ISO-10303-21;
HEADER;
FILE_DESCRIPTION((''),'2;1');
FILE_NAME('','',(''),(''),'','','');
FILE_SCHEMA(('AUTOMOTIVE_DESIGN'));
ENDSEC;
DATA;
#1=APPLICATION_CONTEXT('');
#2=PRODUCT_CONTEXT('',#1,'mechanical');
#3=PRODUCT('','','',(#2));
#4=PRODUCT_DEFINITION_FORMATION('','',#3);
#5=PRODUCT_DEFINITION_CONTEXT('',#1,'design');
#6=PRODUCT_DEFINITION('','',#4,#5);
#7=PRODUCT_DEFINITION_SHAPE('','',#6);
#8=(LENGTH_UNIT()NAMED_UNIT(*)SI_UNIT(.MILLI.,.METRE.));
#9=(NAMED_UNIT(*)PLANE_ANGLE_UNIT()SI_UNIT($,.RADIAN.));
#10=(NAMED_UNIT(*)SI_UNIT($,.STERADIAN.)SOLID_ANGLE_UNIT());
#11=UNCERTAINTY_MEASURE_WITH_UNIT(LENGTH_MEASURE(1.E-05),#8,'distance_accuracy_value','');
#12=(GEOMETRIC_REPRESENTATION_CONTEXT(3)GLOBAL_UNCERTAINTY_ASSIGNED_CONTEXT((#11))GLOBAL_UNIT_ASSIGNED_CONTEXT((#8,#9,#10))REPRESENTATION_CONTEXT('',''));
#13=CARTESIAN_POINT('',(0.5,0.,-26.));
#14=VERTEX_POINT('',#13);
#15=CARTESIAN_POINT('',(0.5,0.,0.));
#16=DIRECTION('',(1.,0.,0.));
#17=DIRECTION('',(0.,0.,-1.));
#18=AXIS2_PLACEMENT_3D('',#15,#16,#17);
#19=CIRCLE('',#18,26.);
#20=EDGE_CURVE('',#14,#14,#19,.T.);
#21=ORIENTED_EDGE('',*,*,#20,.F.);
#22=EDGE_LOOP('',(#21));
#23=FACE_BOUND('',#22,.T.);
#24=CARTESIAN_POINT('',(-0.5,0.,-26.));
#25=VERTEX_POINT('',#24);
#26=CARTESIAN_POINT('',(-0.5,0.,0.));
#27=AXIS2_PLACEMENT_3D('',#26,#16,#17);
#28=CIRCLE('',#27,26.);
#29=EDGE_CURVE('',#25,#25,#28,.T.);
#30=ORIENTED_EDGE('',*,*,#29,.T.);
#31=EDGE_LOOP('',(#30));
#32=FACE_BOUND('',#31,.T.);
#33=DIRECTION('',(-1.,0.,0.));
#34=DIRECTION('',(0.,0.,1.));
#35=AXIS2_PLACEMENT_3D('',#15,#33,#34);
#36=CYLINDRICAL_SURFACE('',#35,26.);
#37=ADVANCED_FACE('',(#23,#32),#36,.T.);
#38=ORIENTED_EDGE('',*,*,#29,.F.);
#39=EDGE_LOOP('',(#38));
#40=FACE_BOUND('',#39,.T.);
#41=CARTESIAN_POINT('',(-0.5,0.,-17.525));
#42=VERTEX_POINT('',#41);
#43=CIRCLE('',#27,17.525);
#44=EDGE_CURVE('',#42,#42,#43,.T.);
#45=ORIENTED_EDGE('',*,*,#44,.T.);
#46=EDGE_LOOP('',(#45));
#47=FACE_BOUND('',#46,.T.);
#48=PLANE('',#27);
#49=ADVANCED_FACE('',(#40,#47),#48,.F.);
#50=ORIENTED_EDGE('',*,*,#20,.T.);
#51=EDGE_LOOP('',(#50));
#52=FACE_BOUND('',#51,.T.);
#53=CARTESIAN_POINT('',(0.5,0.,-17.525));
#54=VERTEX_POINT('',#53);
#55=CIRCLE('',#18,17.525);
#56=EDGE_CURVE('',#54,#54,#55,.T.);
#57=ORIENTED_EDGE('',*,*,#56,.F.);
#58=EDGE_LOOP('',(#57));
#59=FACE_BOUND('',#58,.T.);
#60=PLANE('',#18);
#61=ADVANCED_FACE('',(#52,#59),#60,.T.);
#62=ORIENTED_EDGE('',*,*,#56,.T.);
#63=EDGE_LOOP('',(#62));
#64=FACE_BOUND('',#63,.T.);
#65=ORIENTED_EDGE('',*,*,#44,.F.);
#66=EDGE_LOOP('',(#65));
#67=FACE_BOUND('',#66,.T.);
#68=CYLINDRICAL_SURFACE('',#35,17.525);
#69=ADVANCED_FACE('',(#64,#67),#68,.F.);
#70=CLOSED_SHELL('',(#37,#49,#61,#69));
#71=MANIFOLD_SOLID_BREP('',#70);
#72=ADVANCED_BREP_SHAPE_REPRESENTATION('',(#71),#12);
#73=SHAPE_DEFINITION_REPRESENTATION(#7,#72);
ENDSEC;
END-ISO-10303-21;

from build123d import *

# Parameters (mm, degrees)
BOSS_EXTRUDE1_DEPTH      = 0.5
BOSS_EXTRUDE1_DEPTH_BACK = 0.5
SKETCH3_R                = 26
SKETCH3_R_2              = 17.525


with BuildPart() as part:
    # Sketch3 → Boss-Extrude1 (new, two sides: drawn at the far end of the back side and taken through both)
    with BuildSketch(Plane(origin=(0, 0, 0), x_dir=(0, 0, -1), z_dir=(1, 0, 0)).offset(-BOSS_EXTRUDE1_DEPTH_BACK)):
        Circle(SKETCH3_R)
        Circle(SKETCH3_R_2, mode=Mode.SUBTRACT)
    extrude(amount=BOSS_EXTRUDE1_DEPTH + BOSS_EXTRUDE1_DEPTH_BACK)


solid = part.part
